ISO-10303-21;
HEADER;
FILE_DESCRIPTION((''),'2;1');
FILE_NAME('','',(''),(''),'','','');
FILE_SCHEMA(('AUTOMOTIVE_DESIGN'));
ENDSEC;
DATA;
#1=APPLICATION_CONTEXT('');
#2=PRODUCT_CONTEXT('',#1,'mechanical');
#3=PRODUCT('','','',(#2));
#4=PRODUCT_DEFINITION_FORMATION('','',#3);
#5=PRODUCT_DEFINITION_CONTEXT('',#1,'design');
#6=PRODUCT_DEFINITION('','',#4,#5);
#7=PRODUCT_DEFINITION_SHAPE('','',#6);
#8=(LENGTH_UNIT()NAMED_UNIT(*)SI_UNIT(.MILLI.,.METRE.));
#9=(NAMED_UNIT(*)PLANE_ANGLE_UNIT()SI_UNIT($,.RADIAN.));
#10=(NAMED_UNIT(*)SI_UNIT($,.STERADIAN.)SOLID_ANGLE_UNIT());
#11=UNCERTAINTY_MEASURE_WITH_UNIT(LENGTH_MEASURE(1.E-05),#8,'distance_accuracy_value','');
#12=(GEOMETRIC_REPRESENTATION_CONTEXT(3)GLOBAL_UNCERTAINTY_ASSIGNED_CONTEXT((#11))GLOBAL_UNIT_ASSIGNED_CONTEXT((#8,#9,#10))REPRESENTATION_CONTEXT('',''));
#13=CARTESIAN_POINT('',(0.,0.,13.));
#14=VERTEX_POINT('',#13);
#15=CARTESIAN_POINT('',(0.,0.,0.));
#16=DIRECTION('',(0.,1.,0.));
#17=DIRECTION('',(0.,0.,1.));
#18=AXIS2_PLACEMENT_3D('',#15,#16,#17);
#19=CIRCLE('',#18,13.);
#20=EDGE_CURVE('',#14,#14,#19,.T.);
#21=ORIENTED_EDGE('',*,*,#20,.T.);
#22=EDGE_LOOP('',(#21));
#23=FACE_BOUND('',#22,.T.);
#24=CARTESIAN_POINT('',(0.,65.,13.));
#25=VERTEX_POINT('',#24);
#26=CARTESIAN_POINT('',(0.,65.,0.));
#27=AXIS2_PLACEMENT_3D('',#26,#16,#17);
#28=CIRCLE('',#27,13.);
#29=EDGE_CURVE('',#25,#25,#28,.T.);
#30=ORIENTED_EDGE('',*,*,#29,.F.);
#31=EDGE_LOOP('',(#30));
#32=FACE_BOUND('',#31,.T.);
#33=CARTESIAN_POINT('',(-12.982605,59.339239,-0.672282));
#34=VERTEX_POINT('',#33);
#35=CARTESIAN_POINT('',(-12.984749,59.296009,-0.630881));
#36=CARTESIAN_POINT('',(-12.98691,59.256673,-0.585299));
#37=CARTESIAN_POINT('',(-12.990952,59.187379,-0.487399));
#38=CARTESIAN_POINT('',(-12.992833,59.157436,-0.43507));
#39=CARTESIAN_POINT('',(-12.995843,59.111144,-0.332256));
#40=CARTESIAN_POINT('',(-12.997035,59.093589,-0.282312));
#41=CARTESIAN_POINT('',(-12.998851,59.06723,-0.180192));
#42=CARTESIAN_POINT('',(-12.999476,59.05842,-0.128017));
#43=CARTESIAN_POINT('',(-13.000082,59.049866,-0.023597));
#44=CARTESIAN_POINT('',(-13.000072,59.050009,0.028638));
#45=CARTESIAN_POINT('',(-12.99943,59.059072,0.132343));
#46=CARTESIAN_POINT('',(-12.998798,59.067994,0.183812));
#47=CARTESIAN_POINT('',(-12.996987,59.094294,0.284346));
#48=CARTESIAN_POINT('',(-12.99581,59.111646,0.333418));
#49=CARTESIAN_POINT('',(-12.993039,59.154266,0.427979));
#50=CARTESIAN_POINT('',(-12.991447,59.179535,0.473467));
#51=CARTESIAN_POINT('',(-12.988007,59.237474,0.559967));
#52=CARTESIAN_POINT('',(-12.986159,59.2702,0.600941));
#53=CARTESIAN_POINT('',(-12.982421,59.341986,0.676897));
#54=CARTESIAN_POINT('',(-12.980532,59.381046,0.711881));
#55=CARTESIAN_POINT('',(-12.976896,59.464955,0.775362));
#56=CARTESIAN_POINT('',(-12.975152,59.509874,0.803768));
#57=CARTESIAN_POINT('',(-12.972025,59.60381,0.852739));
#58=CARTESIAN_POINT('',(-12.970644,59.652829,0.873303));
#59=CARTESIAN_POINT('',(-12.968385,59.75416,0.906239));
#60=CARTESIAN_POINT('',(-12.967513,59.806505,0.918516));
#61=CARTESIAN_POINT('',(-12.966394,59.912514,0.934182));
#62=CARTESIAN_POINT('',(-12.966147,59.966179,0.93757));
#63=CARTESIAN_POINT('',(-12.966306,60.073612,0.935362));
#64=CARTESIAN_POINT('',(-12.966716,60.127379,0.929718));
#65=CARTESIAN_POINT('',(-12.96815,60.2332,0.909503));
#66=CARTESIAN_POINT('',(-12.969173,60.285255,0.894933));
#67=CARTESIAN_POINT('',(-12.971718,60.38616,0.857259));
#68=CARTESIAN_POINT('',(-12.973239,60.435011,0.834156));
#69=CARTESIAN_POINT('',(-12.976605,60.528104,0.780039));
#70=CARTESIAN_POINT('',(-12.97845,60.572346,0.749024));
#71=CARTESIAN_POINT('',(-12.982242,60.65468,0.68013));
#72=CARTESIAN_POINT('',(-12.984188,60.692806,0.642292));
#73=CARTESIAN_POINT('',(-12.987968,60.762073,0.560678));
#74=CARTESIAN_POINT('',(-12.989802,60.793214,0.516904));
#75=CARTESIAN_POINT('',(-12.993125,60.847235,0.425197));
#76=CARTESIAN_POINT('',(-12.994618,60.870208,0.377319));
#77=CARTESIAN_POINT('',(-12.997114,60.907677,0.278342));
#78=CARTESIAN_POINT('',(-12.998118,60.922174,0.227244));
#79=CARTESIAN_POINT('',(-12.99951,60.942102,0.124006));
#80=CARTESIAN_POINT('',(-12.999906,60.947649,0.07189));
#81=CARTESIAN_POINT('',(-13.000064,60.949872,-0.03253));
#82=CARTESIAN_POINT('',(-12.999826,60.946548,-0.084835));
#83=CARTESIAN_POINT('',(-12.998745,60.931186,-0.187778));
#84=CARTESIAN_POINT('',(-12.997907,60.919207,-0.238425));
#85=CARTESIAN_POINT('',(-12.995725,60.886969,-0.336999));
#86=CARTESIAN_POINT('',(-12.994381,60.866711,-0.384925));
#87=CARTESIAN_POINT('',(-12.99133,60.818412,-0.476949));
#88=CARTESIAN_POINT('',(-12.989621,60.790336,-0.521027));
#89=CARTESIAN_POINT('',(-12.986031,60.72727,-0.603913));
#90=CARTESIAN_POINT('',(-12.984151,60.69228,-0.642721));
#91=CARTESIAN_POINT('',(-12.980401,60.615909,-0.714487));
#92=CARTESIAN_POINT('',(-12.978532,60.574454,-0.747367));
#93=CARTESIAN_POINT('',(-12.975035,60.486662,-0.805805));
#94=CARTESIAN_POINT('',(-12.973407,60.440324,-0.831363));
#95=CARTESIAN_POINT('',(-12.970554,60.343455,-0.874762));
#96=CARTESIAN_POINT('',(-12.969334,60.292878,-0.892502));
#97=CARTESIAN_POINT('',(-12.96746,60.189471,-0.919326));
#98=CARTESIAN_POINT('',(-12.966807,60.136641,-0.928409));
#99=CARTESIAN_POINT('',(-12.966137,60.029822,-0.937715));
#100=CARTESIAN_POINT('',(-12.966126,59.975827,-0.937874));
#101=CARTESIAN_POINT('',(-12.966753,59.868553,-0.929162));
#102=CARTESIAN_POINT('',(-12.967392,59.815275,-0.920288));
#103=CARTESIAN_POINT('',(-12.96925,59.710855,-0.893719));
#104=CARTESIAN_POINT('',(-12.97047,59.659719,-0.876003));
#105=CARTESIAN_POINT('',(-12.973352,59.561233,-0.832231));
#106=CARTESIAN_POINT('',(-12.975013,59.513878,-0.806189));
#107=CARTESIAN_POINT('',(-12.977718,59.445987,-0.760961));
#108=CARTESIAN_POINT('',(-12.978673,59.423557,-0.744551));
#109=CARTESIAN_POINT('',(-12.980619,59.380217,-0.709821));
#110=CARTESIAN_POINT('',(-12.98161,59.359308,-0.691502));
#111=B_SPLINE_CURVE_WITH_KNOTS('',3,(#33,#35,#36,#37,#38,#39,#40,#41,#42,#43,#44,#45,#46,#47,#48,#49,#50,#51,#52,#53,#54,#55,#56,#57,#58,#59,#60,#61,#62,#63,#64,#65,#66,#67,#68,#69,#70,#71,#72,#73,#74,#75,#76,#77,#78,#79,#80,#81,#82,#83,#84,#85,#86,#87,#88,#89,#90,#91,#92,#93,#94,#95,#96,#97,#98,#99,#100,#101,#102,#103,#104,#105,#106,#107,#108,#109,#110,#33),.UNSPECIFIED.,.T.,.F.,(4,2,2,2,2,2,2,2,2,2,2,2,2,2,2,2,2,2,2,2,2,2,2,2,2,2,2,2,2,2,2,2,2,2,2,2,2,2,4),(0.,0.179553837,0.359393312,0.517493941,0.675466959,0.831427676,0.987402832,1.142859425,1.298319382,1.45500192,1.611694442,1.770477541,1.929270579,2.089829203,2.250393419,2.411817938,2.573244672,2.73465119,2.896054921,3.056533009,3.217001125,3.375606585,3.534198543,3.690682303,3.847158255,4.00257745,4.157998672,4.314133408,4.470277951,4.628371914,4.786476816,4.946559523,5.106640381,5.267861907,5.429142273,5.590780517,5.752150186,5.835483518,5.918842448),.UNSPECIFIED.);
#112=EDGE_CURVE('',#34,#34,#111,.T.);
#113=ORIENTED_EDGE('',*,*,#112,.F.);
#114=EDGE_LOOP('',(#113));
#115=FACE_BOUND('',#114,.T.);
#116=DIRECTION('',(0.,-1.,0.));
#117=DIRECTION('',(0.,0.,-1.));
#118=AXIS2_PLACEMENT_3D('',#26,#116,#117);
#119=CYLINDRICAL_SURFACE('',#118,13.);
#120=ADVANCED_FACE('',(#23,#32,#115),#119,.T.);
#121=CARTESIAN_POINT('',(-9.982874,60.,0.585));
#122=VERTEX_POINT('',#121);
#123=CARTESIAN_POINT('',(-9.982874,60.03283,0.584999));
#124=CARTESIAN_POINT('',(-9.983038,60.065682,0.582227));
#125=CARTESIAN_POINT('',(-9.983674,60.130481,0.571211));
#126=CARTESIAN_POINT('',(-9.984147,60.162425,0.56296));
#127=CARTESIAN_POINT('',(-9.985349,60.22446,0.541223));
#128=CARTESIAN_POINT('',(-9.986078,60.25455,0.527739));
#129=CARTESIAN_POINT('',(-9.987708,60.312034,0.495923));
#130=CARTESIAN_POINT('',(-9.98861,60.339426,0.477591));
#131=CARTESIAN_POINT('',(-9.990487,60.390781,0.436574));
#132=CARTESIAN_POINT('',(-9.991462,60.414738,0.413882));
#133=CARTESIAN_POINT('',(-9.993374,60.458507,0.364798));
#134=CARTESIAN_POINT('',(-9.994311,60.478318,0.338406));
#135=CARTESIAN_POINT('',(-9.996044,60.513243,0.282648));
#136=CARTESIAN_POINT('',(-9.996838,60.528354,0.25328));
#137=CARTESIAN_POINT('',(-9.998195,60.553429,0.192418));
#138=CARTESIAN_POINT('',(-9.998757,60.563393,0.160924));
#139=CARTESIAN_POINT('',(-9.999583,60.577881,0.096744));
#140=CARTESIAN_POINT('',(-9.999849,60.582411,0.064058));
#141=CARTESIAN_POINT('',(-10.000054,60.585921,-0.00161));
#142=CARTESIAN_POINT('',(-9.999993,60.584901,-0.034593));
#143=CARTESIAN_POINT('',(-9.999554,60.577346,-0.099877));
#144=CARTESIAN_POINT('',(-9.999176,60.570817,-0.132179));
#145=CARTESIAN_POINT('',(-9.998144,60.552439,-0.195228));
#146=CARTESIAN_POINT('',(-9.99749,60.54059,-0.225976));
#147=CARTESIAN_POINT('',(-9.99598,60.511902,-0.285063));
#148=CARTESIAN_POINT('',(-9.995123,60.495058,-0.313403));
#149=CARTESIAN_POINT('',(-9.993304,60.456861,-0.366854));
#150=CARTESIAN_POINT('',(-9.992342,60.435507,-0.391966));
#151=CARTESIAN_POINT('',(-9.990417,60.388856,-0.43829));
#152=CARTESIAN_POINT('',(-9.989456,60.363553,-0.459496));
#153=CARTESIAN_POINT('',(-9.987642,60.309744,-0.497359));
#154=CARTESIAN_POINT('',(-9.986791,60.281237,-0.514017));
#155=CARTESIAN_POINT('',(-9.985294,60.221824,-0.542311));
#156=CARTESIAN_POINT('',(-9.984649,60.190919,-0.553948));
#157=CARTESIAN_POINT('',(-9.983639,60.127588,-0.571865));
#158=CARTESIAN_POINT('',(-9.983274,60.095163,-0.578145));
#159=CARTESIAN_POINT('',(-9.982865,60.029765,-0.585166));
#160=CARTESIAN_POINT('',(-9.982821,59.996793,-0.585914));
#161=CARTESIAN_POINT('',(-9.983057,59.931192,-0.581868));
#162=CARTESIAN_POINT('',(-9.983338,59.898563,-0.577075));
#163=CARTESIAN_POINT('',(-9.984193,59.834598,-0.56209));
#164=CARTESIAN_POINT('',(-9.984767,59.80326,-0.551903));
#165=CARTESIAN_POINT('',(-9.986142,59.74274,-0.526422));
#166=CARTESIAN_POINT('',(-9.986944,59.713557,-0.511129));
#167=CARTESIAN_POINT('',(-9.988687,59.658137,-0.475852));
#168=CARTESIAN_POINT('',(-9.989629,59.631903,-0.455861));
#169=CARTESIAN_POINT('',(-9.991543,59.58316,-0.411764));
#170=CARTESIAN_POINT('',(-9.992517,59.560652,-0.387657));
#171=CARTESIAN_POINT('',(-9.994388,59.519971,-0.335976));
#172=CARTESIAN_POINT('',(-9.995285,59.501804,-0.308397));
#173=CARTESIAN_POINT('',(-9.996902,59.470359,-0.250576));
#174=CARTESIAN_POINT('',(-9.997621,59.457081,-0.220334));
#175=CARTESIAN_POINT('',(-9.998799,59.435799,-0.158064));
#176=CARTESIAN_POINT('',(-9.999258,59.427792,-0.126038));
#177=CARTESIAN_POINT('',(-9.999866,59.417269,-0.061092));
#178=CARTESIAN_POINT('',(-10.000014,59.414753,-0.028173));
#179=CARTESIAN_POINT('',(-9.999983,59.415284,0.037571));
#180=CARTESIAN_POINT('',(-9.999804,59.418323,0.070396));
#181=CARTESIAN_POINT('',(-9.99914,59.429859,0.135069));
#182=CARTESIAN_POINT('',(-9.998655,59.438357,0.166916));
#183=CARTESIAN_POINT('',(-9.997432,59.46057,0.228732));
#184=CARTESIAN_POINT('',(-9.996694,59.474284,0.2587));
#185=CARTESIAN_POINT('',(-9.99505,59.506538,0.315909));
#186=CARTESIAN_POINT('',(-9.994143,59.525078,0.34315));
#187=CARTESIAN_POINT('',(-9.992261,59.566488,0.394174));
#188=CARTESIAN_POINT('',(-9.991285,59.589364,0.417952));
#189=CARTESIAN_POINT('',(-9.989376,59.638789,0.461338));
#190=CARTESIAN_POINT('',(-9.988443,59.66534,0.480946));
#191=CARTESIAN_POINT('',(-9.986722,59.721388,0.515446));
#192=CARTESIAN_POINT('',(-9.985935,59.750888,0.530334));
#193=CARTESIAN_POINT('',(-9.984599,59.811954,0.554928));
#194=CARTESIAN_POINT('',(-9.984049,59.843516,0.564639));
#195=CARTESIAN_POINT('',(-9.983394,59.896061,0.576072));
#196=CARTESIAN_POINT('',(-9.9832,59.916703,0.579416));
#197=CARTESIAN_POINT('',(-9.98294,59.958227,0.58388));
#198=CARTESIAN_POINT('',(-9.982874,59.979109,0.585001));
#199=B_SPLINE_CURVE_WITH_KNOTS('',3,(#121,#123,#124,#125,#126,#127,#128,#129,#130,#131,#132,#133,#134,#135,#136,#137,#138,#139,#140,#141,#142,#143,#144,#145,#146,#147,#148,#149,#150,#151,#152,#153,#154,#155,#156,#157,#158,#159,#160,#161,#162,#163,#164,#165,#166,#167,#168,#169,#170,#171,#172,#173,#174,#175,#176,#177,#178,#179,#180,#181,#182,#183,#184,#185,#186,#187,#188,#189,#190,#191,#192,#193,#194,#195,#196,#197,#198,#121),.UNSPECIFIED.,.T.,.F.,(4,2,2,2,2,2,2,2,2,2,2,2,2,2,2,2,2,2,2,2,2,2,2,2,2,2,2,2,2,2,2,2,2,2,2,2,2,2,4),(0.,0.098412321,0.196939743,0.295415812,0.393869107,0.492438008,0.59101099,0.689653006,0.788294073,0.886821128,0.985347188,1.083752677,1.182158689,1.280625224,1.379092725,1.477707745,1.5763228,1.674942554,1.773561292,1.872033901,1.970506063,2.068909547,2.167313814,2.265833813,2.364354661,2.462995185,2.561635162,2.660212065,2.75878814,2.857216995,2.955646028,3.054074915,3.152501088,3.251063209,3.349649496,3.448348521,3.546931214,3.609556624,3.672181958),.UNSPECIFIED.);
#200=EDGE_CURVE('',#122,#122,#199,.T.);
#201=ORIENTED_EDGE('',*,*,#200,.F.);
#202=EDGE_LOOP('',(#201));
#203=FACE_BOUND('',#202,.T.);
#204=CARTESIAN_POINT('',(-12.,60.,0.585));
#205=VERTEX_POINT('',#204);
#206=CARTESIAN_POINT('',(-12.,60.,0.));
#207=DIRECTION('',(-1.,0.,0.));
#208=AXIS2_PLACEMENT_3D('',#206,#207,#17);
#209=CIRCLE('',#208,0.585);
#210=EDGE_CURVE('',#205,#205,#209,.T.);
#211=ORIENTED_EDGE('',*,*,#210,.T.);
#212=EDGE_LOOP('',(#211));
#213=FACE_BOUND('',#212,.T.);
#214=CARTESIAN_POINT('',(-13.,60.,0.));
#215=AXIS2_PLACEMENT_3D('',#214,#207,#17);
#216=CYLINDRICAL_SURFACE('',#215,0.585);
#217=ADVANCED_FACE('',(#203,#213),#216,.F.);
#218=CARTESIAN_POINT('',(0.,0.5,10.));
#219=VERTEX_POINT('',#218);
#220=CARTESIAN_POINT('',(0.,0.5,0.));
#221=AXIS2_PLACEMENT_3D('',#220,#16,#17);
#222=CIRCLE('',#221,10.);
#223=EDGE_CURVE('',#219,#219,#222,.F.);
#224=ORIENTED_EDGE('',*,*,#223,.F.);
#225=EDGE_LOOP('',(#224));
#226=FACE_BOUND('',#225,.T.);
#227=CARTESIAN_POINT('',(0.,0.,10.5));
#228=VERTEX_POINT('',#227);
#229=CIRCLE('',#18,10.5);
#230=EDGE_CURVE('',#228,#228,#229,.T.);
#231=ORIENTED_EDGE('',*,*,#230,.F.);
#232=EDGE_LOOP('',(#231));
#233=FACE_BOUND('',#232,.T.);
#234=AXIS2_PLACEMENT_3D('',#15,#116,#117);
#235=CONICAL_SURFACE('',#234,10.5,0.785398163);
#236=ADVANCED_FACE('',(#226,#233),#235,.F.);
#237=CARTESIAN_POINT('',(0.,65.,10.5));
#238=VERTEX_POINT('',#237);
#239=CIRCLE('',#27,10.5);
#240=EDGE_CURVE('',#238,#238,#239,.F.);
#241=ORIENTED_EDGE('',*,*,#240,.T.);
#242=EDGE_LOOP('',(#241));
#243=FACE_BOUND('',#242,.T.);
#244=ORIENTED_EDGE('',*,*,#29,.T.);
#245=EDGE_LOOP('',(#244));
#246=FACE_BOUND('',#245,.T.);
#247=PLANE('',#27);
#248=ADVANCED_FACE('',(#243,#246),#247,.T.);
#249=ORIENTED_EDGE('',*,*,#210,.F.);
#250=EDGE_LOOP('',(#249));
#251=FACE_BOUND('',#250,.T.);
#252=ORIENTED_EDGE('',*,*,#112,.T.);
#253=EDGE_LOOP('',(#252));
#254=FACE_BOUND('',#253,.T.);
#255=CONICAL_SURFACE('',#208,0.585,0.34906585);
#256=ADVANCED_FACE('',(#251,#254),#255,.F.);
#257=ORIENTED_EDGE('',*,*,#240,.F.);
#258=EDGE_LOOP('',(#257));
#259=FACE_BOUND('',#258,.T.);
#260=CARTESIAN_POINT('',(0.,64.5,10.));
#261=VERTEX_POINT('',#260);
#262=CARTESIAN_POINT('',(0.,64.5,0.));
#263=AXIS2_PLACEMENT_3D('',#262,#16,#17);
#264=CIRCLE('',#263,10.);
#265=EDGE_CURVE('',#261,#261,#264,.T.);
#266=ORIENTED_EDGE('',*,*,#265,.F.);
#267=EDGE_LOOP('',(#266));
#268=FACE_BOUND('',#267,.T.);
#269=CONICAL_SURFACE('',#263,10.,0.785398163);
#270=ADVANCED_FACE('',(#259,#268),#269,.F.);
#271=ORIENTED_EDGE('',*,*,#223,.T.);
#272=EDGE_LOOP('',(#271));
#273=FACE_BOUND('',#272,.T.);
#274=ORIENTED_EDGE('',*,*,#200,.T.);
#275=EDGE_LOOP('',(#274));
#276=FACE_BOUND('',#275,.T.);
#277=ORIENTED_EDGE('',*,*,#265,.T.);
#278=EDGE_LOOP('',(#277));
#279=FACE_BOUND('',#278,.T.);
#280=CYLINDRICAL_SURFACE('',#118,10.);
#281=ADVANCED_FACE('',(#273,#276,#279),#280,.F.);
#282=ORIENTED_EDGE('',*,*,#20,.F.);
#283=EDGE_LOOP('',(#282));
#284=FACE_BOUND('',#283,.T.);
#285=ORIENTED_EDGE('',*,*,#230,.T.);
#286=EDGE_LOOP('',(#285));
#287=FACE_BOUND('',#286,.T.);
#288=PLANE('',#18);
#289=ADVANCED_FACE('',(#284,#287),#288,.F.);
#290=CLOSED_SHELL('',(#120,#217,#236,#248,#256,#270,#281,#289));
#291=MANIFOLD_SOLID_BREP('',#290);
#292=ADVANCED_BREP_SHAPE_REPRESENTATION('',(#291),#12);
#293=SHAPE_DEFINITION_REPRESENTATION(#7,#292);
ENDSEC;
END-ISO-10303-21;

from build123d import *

# Parameters (mm, degrees)
SKETCH1_R           = 13
SKETCH1_R_2         = 10
BOSS_EXTRUDE1_DEPTH = 65
CHAMFER1_SIZE       = 0.5


with BuildPart() as part:
    # Sketch1 → Boss-Extrude1 (new body)
    with BuildSketch(Plane(origin=(0, 0, 0), x_dir=(1, 0, 0), z_dir=(0, 1, 0))):
        with Locations(Location((0, 0, 0), (0, 0, 270))):
            Circle(SKETCH1_R)
        with Locations(Location((0, 0, 0), (0, 0, 270))):
            Circle(SKETCH1_R_2, mode=Mode.SUBTRACT)
    extrude(amount=BOSS_EXTRUDE1_DEPTH)

    # Chamfer1
    chamfer1_edges = [part.edges().sort_by_distance(p)[0] for p in [
        (0, 0, -10),
        (0, 65, -10),
    ]]
    chamfer(chamfer1_edges, length=CHAMFER1_SIZE)

    # Sketch5 → Cut-Revolve4 (revolve, cut)
    with BuildSketch(Plane.XY, mode=Mode.PRIVATE) as cut_revolve4_sk:
        Polygon((-13, 60.948970234), (-12, 60.585), (-9, 60.585), (-9, 60), (-13, 60), align=None)
    revolve(cut_revolve4_sk.sketch.rotate(Axis((-13, 60, 0), (1, 0, 0)), 90), axis=Axis((-13, 60, 0), (1, 0, 0)), mode=Mode.SUBTRACT)


solid = part.part
